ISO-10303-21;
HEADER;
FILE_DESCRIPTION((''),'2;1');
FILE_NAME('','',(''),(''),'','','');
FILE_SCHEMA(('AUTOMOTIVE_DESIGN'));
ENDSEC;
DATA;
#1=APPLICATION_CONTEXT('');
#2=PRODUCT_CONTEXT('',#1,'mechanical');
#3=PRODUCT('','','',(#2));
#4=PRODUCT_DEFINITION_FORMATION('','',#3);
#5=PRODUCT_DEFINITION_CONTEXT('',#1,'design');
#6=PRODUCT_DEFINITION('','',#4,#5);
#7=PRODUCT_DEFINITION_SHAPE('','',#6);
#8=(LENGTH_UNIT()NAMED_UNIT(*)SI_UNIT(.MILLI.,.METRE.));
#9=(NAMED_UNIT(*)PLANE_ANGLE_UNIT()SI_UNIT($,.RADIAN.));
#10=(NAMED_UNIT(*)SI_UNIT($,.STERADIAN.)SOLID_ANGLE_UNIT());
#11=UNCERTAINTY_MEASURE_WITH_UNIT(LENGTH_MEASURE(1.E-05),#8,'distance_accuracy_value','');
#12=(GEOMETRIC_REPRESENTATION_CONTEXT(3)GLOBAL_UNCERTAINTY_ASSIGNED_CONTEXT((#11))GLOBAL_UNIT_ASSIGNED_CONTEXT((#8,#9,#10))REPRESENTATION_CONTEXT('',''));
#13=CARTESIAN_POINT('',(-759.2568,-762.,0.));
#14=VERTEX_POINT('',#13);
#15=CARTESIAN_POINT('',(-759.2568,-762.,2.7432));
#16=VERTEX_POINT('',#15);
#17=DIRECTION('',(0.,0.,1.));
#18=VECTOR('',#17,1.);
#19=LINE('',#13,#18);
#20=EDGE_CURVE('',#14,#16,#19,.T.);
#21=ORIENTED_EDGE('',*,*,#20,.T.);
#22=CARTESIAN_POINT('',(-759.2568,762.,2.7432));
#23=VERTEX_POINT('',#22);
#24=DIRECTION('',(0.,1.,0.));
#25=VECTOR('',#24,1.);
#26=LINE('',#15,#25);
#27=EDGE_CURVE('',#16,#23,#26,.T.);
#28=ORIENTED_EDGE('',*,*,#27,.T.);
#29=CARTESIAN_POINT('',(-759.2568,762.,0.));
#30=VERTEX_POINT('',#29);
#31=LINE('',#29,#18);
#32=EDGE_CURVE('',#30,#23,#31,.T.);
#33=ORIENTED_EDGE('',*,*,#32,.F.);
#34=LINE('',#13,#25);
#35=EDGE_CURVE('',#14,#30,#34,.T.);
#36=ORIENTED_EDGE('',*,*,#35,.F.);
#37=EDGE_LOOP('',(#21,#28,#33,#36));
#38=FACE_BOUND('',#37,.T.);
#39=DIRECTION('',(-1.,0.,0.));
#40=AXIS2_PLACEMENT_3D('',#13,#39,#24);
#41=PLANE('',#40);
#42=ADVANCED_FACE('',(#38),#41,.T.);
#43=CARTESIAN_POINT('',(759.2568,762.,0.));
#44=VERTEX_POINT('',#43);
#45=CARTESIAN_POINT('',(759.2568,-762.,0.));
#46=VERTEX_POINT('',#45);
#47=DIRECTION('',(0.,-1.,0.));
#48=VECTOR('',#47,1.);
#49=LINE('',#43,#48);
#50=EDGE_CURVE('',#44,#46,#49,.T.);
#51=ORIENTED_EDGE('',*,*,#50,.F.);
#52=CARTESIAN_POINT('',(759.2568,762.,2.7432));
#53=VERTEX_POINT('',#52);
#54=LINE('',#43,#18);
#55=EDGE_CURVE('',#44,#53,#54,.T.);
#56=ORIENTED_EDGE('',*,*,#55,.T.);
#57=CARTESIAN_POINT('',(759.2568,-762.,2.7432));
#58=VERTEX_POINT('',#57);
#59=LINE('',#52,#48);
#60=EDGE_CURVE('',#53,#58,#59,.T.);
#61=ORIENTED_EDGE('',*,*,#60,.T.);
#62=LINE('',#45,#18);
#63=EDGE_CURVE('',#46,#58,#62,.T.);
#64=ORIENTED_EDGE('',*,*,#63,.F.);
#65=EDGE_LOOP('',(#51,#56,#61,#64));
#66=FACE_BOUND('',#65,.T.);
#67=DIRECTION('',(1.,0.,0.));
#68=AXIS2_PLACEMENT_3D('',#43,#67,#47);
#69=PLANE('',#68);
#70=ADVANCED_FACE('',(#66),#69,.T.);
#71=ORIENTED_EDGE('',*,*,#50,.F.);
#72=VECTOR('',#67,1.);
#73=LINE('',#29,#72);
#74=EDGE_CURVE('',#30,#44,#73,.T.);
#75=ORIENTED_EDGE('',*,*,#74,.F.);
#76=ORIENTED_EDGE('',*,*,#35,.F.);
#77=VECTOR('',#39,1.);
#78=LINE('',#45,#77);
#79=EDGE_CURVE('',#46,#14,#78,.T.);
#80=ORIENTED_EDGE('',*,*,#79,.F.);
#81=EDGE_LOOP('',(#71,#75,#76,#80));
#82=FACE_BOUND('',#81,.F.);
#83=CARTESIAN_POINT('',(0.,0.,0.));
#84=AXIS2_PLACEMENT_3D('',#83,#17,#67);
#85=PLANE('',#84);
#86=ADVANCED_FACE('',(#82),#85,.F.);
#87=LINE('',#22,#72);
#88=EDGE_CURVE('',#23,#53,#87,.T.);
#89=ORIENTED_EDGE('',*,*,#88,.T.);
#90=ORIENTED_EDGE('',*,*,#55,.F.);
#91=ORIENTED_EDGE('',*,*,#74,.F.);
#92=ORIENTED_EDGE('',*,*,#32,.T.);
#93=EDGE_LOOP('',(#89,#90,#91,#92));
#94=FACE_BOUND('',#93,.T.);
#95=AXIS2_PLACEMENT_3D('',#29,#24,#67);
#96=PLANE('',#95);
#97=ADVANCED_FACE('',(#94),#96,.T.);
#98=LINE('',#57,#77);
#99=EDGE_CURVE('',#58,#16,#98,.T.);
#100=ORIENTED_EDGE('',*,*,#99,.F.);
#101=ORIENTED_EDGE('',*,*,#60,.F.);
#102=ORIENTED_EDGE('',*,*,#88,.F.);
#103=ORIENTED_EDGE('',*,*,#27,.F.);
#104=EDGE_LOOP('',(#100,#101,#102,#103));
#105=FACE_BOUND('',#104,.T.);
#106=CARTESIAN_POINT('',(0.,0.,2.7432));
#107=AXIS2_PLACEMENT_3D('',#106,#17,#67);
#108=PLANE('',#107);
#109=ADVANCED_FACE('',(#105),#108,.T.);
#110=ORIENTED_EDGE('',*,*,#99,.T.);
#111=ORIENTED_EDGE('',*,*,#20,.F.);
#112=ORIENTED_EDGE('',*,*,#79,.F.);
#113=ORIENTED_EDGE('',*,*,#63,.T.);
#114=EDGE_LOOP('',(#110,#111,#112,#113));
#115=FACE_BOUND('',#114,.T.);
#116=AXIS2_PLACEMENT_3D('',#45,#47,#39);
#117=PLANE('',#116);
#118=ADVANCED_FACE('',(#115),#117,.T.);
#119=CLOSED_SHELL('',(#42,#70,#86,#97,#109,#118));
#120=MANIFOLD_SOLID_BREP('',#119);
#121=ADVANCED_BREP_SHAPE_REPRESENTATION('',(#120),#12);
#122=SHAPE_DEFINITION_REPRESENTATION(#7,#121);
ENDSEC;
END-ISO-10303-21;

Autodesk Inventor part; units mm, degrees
ref_plane "YZ Plane" through (0, 0, 0) normal (1, 0, 0) x (0, 1, 0)
ref_plane "XZ Plane" through (0, 0, 0) normal (0, 1, 0) x (-1, 0, 0)
ref_plane "XY Plane" through (0, 0, 0) normal (0, 0, 1) x (1, 0, 0)
sketch "Sketch1" plane through (0, 0, 0) normal (0, 0, 1) x (1, 0, 0)
  line L0 (759.2568, -762) -> (-759.2568, -762)
  line L1 (-759.2568, -762) -> (-759.2568, 762)
  line L2 (-759.2568, 762) -> (759.2568, 762)
  line L3 (759.2568, 762) -> (759.2568, -762)
  line L4 (759.2568, -762) -> (-759.2568, 762) construction
  line L5 (-759.2568, -762) -> (759.2568, 762) construction
  point P0 (0, 0)
  dimension "d0" = 1518.5136
  dimension "d1" = 1524
extrude "Extrusion1" add sketch "Sketch1" along normal blind 2.7432
properties part number "SteelTankEnds"
